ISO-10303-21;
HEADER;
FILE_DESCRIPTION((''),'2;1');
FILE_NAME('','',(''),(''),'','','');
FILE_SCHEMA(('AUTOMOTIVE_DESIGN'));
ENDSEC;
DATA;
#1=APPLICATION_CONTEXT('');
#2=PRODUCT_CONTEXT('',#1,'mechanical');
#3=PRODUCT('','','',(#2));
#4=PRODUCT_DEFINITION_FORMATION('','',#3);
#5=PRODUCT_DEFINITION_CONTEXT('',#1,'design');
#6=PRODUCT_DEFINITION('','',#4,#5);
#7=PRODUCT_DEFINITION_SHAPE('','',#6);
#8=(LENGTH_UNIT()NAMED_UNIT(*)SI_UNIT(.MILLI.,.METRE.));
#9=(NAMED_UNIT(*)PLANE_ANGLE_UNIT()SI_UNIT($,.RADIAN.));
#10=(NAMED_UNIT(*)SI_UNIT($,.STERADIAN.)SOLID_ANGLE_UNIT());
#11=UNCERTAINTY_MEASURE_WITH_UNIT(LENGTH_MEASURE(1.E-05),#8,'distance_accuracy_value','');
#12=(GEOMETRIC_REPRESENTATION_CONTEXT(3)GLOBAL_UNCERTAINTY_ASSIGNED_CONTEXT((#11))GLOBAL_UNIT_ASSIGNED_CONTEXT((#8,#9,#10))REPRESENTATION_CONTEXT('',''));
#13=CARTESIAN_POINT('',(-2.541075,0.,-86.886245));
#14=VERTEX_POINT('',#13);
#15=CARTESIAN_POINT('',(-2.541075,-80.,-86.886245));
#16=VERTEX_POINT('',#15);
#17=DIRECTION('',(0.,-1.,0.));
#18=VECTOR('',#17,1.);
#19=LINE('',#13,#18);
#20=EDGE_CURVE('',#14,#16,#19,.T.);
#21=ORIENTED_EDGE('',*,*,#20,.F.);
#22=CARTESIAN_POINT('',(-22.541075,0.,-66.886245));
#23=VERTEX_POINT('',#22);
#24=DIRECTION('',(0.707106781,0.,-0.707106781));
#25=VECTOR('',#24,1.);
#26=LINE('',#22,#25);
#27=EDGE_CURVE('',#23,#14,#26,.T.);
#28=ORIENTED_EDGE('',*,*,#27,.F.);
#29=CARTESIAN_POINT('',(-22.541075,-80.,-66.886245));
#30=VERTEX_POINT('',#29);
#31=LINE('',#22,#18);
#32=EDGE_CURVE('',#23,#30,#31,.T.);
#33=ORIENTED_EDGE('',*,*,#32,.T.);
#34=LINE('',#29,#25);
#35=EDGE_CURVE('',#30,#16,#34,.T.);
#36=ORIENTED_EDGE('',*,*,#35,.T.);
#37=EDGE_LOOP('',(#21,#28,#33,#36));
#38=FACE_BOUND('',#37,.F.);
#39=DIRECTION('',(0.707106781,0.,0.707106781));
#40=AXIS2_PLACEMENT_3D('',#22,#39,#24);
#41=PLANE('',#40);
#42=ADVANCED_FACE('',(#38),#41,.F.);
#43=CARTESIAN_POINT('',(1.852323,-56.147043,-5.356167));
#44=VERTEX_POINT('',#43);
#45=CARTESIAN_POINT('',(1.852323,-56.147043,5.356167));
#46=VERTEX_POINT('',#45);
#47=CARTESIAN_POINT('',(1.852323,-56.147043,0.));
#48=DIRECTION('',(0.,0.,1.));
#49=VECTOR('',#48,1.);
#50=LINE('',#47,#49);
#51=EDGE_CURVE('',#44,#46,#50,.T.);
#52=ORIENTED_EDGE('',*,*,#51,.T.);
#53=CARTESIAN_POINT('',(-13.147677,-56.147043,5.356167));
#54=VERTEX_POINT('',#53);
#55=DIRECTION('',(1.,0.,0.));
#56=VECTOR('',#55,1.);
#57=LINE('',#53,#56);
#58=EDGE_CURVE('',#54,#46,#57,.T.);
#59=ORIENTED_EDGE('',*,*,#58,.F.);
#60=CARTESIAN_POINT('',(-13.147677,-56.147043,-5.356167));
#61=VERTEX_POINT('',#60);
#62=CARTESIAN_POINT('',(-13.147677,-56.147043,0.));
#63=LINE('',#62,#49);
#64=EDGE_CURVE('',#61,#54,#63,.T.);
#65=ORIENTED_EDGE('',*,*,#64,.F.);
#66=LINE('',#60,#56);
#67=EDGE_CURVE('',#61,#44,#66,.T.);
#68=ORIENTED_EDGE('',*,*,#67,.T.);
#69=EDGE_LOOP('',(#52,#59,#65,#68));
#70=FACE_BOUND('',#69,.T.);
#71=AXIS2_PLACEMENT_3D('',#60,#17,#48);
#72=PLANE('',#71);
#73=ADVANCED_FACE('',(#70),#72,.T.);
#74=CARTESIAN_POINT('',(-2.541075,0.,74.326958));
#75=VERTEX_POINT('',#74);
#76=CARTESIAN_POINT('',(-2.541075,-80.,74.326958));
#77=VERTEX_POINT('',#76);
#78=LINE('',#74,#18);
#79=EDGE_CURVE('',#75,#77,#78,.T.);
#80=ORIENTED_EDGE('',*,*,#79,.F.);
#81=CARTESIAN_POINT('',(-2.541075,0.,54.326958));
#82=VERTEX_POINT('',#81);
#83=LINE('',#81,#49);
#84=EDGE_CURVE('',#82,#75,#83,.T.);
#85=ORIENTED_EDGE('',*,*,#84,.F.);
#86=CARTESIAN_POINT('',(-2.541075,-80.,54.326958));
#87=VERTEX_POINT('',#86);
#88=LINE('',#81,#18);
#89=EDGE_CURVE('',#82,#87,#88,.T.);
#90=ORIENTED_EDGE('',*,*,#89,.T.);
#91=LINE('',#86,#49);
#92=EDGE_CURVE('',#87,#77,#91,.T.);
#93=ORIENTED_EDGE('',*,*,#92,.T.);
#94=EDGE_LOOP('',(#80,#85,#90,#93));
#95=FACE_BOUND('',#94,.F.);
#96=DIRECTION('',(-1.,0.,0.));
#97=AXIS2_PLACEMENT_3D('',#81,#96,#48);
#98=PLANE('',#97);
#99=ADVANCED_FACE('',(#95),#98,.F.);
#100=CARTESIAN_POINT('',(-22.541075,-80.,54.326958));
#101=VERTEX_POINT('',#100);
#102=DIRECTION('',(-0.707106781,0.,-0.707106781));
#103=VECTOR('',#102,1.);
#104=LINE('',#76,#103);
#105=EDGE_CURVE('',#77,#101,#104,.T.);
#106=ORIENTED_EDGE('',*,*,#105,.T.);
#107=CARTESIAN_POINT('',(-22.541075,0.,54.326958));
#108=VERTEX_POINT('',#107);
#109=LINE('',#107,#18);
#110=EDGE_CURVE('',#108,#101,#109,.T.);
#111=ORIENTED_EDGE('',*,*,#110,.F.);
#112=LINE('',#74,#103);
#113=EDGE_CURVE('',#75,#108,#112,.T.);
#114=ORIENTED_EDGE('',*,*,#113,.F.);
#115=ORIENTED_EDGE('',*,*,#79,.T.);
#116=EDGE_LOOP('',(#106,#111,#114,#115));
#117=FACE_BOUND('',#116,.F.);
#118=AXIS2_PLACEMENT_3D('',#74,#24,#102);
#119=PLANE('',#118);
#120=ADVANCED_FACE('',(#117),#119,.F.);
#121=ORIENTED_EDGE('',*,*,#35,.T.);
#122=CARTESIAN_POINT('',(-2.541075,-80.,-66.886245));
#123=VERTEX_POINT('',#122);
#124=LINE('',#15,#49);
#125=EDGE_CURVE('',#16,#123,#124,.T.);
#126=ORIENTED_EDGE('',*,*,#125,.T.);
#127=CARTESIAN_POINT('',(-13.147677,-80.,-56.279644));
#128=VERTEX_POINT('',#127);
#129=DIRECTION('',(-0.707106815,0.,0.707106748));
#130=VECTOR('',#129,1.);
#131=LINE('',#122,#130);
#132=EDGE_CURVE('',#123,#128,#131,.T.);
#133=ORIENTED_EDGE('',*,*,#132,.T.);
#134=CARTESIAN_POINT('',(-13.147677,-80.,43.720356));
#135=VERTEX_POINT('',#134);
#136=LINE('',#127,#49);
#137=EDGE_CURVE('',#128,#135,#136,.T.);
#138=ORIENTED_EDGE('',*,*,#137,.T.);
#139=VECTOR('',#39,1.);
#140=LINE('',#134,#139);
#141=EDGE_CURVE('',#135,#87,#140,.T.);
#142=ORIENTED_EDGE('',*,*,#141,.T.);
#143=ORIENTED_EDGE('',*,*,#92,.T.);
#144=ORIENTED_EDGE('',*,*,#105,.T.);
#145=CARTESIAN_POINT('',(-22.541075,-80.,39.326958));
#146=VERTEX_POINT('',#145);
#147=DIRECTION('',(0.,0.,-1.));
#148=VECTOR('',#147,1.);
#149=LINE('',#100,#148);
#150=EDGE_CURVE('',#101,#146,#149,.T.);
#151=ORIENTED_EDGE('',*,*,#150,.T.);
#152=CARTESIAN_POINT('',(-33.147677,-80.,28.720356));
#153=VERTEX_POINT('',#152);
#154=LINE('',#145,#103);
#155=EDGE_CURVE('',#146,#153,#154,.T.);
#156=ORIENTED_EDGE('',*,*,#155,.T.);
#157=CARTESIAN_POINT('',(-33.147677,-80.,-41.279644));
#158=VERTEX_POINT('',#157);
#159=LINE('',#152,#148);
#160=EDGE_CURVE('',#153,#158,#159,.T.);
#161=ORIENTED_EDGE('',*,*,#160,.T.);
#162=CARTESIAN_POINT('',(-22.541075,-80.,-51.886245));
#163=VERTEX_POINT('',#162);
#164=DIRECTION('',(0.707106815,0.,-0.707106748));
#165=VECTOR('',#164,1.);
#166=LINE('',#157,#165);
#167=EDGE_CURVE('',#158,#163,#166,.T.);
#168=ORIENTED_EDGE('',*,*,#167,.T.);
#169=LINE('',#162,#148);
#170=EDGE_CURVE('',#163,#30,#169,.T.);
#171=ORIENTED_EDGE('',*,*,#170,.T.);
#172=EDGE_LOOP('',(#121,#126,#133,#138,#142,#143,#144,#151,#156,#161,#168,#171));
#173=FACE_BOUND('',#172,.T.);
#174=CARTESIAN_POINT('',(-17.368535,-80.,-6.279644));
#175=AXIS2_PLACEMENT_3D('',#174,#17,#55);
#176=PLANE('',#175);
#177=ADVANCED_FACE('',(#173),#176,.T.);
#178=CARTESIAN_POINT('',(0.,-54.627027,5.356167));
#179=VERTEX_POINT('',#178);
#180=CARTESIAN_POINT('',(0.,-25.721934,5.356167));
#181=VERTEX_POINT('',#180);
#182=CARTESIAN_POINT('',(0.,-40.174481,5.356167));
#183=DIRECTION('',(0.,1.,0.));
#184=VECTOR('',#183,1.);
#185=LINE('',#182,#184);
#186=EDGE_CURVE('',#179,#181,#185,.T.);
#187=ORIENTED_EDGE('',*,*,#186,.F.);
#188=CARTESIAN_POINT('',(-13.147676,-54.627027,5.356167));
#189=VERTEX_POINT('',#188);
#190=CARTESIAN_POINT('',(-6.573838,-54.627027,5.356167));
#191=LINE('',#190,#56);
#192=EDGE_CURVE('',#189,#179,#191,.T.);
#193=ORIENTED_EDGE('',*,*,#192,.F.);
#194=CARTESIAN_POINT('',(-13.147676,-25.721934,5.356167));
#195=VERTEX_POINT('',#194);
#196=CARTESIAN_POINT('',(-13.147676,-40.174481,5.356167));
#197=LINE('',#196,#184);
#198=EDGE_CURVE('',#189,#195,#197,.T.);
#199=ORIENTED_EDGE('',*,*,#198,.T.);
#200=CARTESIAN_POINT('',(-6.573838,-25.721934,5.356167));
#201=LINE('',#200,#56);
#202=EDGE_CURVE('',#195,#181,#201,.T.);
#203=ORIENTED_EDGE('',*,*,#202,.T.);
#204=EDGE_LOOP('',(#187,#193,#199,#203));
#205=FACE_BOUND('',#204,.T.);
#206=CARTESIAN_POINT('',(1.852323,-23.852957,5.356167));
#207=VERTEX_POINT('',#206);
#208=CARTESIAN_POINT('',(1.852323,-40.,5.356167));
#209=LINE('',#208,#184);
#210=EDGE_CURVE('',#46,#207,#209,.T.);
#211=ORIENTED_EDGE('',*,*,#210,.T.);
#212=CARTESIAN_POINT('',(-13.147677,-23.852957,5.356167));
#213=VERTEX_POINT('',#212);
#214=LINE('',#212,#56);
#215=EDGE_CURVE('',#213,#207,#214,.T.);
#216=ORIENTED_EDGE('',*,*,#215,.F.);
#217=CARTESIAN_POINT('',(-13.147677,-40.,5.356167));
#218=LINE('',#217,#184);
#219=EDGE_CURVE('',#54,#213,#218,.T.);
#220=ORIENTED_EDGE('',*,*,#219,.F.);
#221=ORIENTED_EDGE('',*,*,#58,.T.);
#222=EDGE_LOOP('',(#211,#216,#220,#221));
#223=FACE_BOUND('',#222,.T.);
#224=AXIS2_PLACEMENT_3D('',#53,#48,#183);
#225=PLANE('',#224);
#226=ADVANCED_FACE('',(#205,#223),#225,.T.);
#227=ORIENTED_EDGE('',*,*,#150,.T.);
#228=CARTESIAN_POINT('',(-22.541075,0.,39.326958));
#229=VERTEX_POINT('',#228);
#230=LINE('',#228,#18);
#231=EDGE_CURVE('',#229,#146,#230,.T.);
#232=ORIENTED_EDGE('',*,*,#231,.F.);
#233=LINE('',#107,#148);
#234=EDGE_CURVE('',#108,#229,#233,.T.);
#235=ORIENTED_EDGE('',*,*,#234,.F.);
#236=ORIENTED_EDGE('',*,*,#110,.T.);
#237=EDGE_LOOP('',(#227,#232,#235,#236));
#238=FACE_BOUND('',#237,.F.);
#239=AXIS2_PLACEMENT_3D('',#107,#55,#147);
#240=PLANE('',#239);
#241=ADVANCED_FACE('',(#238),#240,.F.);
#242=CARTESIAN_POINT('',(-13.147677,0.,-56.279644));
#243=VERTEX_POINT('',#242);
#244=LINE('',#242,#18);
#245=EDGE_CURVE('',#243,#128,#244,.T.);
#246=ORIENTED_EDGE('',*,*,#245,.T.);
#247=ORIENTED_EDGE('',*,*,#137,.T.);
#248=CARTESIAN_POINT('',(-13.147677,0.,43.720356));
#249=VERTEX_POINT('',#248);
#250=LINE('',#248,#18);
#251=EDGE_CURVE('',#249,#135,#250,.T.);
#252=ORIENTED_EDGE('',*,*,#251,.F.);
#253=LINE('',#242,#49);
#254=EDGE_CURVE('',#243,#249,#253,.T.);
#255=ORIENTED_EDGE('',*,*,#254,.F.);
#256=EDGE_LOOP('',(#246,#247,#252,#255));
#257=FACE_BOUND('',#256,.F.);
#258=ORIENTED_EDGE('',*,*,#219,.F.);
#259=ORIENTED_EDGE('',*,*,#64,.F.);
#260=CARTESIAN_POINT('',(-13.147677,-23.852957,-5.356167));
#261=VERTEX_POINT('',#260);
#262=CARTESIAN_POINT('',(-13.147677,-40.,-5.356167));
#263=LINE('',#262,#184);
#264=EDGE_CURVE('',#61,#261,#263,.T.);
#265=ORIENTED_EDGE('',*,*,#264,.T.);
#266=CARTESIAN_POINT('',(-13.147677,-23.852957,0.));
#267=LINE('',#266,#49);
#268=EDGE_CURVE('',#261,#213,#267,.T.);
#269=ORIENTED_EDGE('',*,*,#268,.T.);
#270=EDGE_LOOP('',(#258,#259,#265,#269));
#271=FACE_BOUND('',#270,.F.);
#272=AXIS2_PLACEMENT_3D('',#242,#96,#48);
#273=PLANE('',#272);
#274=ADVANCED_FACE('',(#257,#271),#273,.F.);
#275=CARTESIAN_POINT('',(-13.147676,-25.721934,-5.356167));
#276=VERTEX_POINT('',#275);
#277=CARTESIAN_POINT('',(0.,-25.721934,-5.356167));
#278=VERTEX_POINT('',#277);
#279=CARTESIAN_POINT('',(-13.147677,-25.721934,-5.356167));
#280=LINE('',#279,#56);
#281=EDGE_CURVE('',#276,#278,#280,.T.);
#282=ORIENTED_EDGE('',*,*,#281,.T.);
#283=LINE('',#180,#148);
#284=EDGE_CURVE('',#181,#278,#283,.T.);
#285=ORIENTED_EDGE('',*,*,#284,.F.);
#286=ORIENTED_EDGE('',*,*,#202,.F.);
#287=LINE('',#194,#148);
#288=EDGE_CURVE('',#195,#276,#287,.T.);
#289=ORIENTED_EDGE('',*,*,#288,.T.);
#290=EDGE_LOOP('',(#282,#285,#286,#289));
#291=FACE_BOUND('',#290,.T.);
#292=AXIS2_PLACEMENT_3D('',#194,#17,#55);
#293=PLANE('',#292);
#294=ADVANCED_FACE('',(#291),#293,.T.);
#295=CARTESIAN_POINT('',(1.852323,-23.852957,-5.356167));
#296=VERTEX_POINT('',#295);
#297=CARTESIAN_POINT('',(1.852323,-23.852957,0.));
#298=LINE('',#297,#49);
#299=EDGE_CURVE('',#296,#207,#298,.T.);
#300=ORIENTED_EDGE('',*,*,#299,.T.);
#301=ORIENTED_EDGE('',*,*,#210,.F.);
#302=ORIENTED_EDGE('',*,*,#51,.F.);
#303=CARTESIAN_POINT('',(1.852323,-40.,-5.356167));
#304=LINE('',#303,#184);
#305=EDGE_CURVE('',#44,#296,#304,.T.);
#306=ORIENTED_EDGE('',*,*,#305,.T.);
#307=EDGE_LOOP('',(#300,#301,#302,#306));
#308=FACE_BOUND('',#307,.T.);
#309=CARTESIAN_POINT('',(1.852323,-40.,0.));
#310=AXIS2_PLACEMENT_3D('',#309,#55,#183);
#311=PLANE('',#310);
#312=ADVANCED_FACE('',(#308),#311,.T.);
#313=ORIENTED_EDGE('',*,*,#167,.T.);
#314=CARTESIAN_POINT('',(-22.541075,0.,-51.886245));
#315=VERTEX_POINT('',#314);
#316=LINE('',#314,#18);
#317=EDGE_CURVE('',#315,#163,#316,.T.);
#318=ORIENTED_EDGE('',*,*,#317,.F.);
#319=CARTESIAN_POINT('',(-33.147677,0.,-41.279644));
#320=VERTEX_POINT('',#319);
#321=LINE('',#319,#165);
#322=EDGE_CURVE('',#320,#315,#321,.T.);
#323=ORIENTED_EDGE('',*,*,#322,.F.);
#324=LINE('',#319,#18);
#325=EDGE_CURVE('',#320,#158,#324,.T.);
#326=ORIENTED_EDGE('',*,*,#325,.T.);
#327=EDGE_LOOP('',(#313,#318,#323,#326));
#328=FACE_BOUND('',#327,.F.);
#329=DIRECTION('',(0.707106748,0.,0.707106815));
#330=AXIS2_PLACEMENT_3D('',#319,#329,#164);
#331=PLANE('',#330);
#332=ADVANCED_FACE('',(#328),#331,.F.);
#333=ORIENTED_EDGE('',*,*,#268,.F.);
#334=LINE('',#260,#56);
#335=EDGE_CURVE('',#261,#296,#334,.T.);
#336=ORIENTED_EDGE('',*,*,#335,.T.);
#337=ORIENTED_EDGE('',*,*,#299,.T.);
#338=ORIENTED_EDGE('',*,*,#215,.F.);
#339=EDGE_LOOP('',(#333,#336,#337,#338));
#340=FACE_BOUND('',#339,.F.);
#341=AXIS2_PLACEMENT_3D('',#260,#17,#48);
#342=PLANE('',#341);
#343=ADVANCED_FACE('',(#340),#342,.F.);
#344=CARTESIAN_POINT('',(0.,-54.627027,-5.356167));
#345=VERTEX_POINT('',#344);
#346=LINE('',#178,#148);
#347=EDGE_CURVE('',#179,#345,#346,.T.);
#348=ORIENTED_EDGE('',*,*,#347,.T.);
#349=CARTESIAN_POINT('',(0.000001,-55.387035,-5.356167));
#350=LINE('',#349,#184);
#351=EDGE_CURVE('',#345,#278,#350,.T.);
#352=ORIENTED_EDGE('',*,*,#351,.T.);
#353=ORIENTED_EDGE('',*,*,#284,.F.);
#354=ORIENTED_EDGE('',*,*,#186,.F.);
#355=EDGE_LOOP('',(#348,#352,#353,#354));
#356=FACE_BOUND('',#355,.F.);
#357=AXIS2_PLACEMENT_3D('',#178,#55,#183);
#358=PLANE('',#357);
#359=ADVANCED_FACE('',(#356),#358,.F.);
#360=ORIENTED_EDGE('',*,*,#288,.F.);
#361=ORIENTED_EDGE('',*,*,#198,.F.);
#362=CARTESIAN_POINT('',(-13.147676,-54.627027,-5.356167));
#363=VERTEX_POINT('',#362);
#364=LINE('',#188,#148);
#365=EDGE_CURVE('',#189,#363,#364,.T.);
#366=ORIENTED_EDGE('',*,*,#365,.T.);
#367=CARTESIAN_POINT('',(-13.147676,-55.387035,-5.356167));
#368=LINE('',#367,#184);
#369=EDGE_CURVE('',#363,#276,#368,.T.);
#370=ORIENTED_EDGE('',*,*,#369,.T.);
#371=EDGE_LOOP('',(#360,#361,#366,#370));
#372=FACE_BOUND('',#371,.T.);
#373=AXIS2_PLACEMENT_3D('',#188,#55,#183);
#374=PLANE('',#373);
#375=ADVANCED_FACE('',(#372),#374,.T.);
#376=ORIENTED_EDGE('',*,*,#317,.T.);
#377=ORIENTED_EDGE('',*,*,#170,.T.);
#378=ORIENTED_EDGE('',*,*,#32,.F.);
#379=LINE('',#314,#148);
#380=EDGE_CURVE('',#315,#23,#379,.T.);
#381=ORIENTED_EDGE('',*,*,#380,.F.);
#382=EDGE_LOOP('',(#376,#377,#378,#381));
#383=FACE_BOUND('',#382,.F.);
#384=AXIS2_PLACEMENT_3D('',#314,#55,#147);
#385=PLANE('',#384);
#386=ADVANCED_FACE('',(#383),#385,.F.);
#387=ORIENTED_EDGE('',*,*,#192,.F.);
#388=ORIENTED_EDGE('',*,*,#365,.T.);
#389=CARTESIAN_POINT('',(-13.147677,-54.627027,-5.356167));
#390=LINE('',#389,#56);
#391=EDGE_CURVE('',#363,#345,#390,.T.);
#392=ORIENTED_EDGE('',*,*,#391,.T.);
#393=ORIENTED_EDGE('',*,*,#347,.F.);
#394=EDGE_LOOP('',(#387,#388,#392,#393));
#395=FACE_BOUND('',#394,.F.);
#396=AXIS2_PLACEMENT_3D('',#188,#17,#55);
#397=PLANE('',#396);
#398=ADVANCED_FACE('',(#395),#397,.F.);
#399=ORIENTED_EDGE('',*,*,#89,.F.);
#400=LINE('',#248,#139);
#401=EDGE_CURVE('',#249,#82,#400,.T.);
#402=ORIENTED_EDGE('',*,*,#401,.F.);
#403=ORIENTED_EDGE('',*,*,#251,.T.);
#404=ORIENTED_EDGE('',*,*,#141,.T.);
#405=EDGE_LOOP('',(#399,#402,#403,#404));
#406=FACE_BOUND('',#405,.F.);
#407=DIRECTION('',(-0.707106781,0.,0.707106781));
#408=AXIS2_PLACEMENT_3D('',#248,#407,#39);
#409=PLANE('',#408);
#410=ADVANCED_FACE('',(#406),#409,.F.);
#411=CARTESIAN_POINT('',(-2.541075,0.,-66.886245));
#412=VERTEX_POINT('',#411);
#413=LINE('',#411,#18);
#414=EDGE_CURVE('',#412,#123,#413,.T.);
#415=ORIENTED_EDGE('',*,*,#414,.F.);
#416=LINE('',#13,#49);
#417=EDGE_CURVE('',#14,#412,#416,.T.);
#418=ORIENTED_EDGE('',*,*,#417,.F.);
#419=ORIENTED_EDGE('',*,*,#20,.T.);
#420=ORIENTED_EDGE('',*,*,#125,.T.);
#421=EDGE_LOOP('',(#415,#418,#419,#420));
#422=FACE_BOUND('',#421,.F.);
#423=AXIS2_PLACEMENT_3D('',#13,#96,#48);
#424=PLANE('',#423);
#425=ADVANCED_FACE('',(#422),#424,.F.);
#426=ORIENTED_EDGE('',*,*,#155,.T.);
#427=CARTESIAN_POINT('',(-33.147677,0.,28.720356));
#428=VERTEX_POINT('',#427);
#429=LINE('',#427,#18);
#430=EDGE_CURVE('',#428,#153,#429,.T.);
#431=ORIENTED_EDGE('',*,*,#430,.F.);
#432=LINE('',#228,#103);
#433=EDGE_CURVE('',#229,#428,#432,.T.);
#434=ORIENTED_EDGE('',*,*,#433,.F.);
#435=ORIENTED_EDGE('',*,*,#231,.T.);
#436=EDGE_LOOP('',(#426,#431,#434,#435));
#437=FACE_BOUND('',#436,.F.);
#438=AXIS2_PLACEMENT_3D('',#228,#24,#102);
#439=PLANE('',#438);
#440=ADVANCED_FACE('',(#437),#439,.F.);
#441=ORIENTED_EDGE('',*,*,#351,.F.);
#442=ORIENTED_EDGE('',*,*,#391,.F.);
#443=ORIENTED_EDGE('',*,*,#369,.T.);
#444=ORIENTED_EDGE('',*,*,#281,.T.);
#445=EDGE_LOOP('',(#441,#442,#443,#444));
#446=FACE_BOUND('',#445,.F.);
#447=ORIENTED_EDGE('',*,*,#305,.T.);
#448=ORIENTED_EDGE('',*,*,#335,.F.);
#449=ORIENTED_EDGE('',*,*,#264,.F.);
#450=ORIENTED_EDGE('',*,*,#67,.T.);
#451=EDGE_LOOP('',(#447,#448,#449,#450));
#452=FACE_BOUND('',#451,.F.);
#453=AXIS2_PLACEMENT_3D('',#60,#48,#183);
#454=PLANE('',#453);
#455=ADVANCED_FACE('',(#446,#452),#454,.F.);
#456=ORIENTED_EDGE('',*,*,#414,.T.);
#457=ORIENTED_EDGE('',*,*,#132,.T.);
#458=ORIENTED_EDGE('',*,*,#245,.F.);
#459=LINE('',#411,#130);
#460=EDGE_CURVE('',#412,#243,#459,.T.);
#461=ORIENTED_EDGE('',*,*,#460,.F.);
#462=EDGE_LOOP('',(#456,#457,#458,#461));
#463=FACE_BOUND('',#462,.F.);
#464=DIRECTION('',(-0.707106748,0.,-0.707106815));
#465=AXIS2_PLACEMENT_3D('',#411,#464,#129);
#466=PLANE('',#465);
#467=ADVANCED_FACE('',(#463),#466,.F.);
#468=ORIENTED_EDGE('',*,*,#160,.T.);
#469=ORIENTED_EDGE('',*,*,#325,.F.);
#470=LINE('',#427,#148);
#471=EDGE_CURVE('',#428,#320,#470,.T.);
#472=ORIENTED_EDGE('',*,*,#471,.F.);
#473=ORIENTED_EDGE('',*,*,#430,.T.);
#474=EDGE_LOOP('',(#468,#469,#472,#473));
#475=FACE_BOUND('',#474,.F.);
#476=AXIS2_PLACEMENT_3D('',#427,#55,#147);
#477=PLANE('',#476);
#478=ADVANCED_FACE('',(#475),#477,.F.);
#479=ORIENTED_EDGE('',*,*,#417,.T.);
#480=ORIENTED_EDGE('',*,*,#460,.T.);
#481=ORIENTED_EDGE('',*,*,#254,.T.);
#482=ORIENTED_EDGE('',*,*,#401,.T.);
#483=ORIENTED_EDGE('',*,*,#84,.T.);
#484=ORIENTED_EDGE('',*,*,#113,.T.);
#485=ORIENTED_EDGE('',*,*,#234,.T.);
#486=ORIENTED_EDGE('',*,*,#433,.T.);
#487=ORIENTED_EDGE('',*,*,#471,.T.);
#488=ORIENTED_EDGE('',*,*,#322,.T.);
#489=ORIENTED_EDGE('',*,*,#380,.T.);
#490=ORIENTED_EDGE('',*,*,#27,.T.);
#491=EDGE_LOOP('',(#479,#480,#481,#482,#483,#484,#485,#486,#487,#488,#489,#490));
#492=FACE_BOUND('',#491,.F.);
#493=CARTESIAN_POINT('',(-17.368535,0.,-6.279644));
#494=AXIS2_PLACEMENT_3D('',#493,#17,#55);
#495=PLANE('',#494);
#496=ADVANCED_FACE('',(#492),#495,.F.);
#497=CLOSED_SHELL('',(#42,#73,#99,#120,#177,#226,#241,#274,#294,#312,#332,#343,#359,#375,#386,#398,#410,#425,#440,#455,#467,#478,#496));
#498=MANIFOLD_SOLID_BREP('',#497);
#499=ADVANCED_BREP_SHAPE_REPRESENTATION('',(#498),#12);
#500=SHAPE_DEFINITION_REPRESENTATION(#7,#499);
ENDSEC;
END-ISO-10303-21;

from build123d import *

# Parameters (mm, degrees)
F1_DEPTH = 80
F2_W     = 32.294086
F2_H     = 10.712334
F3_DEPTH = 15
F4_W     = 13.147677
F4_H     = 28.905093
F5_DEPTH = 25


with BuildPart() as f1:
    # F0 (on Front) → F1 (new body)
    with BuildSketch(Plane.XZ):
        Polygon((-22.541075, 39.326958), (-33.147677, 28.720356), (-33.147677, -41.279644), (-22.541075, -51.886245), (-22.541075, -66.886245), (-2.541075, -86.886245), (-2.541075, -66.886245), (-13.147677, -56.279644), (-13.147677, 43.720356), (-2.541075, 54.326958), (-2.541075, 74.326958), (-22.541075, 54.326958), align=None)
    extrude(amount=F1_DEPTH)

    # F2 (on face) → F3 (join)
    with BuildSketch(Plane.YZ.offset(-13.147677)):
        with Locations((-40, 0)):
            Rectangle(F2_W, F2_H)
    extrude(amount=F3_DEPTH)

    # F4 (on face) → F5 (cut)
    with BuildSketch(Plane.XY.offset(5.356167)):
        with Locations((-6.573838, -40.174481)):
            Rectangle(F4_W, F4_H)
    extrude(amount=-F5_DEPTH, mode=Mode.SUBTRACT)


solid = f1.part
